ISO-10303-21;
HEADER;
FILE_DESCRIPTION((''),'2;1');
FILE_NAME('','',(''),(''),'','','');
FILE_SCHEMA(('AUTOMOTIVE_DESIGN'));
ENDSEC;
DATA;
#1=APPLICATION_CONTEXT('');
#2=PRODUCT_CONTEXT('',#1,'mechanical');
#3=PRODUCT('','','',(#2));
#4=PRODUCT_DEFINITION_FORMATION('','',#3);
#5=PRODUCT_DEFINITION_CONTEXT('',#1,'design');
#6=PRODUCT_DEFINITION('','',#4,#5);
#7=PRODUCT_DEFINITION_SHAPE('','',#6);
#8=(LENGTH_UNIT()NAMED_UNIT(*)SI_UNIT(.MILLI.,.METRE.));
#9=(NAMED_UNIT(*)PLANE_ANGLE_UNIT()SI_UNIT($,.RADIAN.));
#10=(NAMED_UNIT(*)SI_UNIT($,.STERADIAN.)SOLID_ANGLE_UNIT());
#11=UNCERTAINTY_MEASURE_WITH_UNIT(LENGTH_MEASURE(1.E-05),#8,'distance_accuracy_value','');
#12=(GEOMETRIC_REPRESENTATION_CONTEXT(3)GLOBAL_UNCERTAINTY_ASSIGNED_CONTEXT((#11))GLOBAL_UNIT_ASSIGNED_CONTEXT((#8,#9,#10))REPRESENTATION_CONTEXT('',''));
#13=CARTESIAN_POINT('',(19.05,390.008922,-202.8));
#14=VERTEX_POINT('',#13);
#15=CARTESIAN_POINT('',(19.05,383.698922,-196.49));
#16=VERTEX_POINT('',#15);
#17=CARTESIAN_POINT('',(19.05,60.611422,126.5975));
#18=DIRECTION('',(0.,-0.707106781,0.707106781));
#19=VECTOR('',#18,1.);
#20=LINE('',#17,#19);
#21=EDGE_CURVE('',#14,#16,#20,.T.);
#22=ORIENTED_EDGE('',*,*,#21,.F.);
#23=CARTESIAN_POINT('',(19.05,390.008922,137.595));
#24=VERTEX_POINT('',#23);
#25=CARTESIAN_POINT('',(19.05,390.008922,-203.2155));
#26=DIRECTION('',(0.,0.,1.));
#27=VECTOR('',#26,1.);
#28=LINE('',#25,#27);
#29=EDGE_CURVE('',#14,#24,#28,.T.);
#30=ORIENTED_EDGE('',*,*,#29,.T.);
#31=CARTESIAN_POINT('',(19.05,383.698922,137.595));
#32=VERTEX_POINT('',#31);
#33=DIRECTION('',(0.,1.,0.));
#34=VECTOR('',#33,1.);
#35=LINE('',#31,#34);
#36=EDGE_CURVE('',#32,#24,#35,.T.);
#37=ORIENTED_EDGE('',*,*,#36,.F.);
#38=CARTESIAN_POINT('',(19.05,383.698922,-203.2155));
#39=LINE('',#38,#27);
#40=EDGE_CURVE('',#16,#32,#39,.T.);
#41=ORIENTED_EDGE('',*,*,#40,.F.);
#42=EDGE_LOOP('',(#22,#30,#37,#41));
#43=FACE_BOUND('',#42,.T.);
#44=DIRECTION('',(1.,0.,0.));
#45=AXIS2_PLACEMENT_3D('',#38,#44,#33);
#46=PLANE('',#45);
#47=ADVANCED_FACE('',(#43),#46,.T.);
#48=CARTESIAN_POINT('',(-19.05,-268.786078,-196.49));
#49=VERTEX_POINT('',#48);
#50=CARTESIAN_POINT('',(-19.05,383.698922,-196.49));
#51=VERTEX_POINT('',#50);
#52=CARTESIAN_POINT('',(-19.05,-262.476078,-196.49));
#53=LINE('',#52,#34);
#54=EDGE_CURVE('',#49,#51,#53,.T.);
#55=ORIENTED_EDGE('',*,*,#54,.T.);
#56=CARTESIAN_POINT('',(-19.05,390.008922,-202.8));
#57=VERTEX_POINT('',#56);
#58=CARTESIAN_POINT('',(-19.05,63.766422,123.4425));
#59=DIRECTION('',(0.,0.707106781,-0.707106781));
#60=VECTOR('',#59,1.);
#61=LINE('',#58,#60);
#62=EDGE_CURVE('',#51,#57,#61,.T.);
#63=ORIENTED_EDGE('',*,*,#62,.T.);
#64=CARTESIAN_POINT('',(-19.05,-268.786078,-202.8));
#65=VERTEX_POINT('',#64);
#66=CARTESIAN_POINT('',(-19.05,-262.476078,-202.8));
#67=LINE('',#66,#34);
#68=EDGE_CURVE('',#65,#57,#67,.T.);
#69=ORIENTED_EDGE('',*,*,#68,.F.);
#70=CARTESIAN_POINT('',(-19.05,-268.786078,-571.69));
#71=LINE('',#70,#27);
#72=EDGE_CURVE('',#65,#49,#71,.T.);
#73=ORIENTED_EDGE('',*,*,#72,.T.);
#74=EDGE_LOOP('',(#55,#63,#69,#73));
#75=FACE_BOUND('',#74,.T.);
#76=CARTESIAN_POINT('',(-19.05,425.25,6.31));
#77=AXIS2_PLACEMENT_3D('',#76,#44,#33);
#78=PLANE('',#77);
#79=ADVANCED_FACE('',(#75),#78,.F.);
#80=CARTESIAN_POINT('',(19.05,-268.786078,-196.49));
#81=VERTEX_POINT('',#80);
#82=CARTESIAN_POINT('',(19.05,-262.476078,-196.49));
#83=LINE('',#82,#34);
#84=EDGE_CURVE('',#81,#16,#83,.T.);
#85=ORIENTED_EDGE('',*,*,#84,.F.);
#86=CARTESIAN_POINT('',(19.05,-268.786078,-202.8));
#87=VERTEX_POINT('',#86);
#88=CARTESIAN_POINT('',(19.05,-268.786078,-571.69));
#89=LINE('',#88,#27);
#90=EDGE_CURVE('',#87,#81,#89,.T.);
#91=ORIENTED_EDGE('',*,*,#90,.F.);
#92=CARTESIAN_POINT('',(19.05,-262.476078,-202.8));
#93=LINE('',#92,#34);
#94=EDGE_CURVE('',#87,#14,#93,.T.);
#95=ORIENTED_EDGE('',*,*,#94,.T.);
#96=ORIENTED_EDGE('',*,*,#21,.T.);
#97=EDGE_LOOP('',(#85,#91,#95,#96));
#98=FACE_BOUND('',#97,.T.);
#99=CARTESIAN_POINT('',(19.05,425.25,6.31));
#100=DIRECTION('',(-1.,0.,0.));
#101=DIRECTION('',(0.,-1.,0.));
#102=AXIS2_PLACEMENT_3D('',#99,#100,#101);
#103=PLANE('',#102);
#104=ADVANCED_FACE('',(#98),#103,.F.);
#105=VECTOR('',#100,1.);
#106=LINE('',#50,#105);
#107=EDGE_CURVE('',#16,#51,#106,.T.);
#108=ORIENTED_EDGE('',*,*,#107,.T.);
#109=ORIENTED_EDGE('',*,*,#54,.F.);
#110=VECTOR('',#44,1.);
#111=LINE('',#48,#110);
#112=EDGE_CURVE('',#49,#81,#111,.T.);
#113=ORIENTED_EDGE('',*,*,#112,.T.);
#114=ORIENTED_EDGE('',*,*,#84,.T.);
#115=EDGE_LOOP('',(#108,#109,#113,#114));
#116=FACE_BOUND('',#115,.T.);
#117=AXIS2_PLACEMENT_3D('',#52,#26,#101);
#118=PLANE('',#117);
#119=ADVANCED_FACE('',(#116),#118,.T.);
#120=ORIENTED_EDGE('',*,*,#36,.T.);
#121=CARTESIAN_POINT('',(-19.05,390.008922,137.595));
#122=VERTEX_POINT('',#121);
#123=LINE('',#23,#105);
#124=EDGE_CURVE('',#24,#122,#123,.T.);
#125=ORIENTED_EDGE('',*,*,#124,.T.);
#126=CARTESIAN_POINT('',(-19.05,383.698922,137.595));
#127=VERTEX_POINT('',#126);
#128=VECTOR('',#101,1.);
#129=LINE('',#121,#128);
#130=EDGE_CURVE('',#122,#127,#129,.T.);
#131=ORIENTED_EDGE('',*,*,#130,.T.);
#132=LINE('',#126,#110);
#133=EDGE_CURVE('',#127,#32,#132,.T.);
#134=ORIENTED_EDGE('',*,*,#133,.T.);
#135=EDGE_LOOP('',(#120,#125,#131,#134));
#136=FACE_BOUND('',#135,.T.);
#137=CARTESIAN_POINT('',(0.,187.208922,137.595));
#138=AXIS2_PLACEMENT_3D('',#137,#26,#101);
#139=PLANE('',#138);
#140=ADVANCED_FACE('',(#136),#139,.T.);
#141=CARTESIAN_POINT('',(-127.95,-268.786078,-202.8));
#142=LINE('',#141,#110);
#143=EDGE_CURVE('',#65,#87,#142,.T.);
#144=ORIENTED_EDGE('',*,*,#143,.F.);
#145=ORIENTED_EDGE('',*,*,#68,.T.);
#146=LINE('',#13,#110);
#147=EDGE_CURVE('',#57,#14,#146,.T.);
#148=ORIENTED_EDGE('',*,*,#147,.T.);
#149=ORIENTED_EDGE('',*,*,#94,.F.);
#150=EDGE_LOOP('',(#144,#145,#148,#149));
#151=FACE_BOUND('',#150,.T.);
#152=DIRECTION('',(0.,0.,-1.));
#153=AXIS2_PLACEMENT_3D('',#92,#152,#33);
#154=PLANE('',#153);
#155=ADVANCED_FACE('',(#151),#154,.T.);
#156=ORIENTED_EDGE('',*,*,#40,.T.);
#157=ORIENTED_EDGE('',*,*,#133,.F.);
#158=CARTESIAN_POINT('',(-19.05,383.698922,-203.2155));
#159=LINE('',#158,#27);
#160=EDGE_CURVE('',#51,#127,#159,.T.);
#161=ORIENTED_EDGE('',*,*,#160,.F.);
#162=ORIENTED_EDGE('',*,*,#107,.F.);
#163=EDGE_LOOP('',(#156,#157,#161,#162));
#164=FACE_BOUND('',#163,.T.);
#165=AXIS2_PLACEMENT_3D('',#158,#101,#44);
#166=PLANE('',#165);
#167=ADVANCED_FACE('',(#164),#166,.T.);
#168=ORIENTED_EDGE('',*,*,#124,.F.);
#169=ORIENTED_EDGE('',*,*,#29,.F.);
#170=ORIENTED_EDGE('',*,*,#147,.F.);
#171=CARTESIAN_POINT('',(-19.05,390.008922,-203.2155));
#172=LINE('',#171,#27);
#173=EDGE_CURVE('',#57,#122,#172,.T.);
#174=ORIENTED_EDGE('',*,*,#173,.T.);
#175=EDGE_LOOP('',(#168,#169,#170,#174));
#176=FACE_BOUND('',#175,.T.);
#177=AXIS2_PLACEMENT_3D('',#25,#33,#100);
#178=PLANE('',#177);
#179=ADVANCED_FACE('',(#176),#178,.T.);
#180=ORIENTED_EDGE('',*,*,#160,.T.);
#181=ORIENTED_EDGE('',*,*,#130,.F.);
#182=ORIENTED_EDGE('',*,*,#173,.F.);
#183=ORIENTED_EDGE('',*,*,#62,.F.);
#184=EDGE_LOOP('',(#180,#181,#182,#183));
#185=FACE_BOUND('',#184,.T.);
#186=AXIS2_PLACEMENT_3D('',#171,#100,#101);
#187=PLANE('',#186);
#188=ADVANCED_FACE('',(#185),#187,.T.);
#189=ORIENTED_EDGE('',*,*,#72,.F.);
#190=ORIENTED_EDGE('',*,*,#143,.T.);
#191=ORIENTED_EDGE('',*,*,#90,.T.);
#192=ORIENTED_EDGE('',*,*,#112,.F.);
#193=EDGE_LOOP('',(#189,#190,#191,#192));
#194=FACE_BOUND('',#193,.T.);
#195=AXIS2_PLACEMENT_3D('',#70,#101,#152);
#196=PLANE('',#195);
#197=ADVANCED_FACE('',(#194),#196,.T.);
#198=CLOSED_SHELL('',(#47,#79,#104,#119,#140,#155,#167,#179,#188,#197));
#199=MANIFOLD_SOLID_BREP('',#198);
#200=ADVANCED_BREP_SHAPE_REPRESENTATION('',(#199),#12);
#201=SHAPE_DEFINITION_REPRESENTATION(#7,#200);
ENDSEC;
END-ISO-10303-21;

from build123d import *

# Parameters (mm, degrees)
CROQUIS1_W              = 38.1
CROQUIS1_H              = 850.5
SALIENTE_EXTRUIR1_DEPTH = 6.31
CROQUIS2_W              = 38.1
CROQUIS2_H              = 6.31
SALIENTE_EXTRUIR2_DEPTH = 70
CROQUIS3_W              = 38.1
CROQUIS3_H              = 6.31
SALIENTE_EXTRUIR3_DEPTH = 578
CROQUIS4_R              = 6.935856655
CORTAR_EXTRUIR1_DEPTH   = 7
CROQUIS5_W              = 38.1
CROQUIS5_H              = 687.72607772
CORTAR_EXTRUIR2_DEPTH   = 10
CROQUIS6_W              = 38.1
CROQUIS6_H              = 6.31
CROQUIS8_W              = 368.89
CROQUIS8_H              = 6.31
CORTAR_EXTRUIR3_DEPTH   = 147


with BuildPart() as part:
    # Croquis1 → Saliente-Extruir1 (new body)
    with BuildSketch(Plane.XY):
        Rectangle(CROQUIS1_W, CROQUIS1_H)
    extrude(amount=SALIENTE_EXTRUIR1_DEPTH)

    # Croquis2 → Saliente-Extruir2 (add)
    with BuildSketch(Plane.XY.offset(6.31)):
        with Locations((0, -422.095)):
            Rectangle(CROQUIS2_W, CROQUIS2_H)
    extrude(amount=SALIENTE_EXTRUIR2_DEPTH)

    # Croquis3 → Saliente-Extruir3 (add)
    with BuildSketch(Plane.XY.offset(6.31)):
        with Locations((0, -265.63107772)):
            Rectangle(CROQUIS3_W, CROQUIS3_H)
    extrude(amount=-SALIENTE_EXTRUIR3_DEPTH)

    # Croquis4 → Cortar-Extruir1 (cut)
    with BuildSketch(Plane(origin=(0, -262.47607772, 0), x_dir=(1, 0, 0), z_dir=(0, 1, 0))):
        with Locations(Location((0, 536.981534281, 0), (0, 0, 270))):
            Circle(CROQUIS4_R)
    extrude(amount=-CORTAR_EXTRUIR1_DEPTH, mode=Mode.SUBTRACT)

    # Croquis5 → Cortar-Extruir2 (cut)
    with BuildSketch(Plane(origin=(0, 0, 0), x_dir=(-1, 0, 0), z_dir=(0, 0, -1))):
        with Locations((0, 81.38696114)):
            Rectangle(CROQUIS5_W, CROQUIS5_H)
    extrude(amount=-CORTAR_EXTRUIR2_DEPTH, mode=Mode.SUBTRACT)

    # Barrer1: sweep along a curve in space
    with BuildLine() as barrer1_path:
        Line((0, -262.47607772, -199.645), (0, 386.85392228, -199.645))
        Line((0, 386.85392228, -199.645), (0, 386.85392228, 137.595))
    # Croquis6 → Barrer1 (sweep)
    with BuildSketch(Plane(origin=(0, -262.47607772, 0), x_dir=(1, 0, 0), z_dir=(0, 1, 0))):
        with Locations((0, 199.645)):
            Rectangle(CROQUIS6_W, CROQUIS6_H)
    sweep(path=barrer1_path.line, transition=Transition.RIGHT)

    # Croquis8 → Cortar-Extruir3 (cut)
    with BuildSketch(Plane(origin=(19.05, 0, 0), x_dir=(0, 0, -1), z_dir=(1, 0, 0))):
        Polygon((196.49, -262.47607772), (196.49, -268.78607772), (196.49, -444.307673596), (-90.834600665, -444.307673596), (-90.834600665, -262.47607772), align=None)
        with Locations((387.245, -265.63107772)):
            Rectangle(CROQUIS8_W, CROQUIS8_H)
    extrude(amount=-CORTAR_EXTRUIR3_DEPTH, mode=Mode.SUBTRACT)


solid = part.part
